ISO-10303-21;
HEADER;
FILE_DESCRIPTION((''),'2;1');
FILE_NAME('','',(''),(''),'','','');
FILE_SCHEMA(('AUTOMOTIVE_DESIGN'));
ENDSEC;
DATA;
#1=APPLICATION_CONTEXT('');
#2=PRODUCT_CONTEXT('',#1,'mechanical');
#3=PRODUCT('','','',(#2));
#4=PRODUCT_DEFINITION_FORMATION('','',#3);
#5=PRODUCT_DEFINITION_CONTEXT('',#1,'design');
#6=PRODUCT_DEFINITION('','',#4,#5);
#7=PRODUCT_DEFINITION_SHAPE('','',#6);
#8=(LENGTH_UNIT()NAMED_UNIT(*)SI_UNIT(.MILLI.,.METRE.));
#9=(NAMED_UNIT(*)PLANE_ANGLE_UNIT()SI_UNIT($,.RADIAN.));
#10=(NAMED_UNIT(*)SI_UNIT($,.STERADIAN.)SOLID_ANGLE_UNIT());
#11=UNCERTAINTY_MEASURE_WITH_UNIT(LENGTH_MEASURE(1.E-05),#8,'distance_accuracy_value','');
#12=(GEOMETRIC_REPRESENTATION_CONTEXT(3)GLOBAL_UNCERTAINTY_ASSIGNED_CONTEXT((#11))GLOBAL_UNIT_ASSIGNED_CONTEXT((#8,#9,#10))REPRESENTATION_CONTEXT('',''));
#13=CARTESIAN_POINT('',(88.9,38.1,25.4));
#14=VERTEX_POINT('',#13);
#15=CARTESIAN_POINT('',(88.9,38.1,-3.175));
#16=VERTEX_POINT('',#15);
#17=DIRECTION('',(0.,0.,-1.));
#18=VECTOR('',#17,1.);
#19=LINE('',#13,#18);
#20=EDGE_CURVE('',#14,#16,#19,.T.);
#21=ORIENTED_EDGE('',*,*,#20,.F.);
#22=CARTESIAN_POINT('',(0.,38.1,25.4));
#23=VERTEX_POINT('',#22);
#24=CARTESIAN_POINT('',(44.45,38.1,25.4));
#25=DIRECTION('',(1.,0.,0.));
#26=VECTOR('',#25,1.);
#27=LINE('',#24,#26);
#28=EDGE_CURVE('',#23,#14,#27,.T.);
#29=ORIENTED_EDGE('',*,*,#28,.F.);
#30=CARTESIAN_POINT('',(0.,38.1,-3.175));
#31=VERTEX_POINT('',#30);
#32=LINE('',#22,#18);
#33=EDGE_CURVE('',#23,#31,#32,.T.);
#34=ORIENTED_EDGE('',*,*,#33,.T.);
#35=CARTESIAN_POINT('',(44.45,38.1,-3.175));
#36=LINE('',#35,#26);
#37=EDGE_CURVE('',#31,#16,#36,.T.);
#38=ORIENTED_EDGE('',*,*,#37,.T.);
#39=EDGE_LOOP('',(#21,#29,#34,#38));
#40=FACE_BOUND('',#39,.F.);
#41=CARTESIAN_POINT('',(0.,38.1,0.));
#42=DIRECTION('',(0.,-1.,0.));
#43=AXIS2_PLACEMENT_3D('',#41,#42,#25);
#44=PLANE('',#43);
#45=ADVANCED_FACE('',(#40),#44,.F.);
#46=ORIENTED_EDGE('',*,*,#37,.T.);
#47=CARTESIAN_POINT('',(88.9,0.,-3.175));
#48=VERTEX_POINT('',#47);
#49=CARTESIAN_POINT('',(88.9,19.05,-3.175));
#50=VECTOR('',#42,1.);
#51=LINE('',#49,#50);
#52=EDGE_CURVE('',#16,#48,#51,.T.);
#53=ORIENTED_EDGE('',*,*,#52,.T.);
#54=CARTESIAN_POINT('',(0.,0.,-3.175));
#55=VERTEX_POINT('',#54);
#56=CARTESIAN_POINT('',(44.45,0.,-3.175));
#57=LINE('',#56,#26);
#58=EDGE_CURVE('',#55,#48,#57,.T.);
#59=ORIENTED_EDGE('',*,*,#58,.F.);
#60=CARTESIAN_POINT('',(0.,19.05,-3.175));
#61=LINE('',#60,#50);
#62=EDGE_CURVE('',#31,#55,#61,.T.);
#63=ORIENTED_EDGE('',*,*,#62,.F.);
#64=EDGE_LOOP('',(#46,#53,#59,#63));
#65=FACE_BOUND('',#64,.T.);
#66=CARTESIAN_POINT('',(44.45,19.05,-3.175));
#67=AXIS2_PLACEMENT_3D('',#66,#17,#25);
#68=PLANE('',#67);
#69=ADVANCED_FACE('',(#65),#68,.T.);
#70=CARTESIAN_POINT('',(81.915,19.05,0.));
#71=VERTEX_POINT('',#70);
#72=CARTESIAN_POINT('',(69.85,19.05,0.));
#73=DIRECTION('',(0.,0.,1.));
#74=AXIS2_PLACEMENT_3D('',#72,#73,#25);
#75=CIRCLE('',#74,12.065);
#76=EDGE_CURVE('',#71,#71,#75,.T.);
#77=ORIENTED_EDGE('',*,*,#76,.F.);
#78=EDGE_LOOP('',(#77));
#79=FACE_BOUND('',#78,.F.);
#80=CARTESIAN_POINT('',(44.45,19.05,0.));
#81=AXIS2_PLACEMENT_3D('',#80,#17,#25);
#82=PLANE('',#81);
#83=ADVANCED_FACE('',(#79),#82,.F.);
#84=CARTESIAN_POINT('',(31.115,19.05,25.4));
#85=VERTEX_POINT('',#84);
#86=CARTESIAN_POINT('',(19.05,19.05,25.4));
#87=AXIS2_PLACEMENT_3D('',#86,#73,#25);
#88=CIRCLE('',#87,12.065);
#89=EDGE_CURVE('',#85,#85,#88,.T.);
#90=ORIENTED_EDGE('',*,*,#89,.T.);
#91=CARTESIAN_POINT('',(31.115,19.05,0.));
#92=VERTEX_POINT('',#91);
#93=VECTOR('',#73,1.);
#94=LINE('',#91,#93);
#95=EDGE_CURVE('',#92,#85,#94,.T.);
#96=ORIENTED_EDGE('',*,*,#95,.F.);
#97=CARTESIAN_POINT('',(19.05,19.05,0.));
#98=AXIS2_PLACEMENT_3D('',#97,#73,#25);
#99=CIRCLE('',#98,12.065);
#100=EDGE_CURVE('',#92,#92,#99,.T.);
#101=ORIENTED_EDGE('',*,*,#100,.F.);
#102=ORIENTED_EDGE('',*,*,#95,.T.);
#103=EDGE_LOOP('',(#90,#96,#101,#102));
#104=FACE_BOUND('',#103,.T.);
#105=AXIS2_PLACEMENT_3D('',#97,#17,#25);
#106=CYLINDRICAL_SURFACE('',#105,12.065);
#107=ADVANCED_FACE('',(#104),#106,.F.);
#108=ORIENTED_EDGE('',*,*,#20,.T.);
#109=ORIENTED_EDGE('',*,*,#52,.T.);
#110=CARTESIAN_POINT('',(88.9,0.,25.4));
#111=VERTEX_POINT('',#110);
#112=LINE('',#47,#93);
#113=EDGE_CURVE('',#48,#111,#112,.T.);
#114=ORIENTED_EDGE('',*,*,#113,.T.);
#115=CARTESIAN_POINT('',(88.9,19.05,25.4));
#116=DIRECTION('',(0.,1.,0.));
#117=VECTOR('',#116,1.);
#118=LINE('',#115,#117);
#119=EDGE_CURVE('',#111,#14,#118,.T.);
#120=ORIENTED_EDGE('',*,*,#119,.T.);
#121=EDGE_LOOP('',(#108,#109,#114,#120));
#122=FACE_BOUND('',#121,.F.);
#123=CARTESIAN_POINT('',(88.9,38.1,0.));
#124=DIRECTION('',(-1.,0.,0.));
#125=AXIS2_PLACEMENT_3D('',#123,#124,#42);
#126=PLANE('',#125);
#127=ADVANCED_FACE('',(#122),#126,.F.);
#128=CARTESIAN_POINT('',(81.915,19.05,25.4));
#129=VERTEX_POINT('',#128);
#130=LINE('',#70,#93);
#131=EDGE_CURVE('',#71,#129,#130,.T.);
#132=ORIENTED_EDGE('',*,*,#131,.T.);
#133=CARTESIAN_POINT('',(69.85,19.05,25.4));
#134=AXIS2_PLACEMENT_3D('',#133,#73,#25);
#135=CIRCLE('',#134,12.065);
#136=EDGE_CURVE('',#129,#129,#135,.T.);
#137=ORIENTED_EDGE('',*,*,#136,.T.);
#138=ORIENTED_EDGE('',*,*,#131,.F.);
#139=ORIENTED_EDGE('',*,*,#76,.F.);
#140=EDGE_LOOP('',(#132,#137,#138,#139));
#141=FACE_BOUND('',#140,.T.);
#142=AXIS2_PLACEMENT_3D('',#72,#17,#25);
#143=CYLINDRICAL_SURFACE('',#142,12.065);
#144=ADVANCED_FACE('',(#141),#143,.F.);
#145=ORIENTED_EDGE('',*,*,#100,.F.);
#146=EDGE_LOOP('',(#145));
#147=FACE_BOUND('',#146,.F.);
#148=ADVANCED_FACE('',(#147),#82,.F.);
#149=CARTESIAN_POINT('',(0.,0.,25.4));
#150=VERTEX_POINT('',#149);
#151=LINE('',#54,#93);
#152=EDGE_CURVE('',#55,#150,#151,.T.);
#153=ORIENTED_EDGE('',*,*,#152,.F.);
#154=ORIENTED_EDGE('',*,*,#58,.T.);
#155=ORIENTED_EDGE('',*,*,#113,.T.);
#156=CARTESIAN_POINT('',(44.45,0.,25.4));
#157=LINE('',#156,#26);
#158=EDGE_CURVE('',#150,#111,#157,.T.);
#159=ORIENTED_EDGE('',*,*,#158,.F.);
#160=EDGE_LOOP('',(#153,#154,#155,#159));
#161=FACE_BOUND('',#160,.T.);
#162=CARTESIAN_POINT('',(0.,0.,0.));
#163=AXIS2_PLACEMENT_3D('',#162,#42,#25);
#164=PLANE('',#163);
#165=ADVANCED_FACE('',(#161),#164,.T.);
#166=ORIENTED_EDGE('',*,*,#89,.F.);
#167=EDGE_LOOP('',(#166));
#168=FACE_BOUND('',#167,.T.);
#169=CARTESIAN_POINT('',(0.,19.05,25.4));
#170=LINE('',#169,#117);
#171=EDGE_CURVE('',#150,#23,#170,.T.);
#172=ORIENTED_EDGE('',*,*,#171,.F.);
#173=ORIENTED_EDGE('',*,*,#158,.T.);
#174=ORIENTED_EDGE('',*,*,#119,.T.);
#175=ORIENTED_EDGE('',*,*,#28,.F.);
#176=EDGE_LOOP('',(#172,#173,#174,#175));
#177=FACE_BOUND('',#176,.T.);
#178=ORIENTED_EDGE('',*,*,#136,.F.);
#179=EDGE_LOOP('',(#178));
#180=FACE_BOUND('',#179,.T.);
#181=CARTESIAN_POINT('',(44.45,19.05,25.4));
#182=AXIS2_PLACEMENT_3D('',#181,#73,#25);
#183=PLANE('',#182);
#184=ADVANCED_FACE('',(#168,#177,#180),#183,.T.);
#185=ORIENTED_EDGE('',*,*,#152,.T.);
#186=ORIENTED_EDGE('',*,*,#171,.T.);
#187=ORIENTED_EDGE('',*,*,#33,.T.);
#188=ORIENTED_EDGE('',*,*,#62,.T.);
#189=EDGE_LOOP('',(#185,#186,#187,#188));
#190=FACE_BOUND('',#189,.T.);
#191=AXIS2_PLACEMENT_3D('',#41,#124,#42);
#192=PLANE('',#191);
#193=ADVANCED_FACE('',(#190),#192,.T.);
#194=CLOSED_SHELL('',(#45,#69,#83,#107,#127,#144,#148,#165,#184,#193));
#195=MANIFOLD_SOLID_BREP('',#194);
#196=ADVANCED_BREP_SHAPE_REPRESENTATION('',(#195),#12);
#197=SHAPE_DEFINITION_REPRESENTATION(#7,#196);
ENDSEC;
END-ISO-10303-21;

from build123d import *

# Parameters (mm, degrees)
F0_W     = 88.9
F0_H     = 38.1
F0_R     = 12.065
F1_DEPTH = 25.4
F2_W     = 88.9
F2_H     = 38.1
F3_DEPTH = 3.175


with BuildPart() as f1:
    # F0 (on Top) → F1 (new body)
    with BuildSketch(Plane.XY):
        with Locations((44.45, 19.05)):
            Rectangle(F0_W, F0_H)
        with Locations((19.05, 19.05)):
            Circle(F0_R, mode=Mode.SUBTRACT)
        with Locations((69.85, 19.05)):
            Circle(F0_R, mode=Mode.SUBTRACT)
    extrude(amount=F1_DEPTH)

    # F2 (on face) → F3 (join)
    with BuildSketch(Plane(origin=(0, 0, 0), x_dir=(1, 0, 0), z_dir=(0, 0, -1))):
        with Locations((44.45, -19.05)):
            Rectangle(F2_W, F2_H)
    extrude(amount=F3_DEPTH)


solid = f1.part
